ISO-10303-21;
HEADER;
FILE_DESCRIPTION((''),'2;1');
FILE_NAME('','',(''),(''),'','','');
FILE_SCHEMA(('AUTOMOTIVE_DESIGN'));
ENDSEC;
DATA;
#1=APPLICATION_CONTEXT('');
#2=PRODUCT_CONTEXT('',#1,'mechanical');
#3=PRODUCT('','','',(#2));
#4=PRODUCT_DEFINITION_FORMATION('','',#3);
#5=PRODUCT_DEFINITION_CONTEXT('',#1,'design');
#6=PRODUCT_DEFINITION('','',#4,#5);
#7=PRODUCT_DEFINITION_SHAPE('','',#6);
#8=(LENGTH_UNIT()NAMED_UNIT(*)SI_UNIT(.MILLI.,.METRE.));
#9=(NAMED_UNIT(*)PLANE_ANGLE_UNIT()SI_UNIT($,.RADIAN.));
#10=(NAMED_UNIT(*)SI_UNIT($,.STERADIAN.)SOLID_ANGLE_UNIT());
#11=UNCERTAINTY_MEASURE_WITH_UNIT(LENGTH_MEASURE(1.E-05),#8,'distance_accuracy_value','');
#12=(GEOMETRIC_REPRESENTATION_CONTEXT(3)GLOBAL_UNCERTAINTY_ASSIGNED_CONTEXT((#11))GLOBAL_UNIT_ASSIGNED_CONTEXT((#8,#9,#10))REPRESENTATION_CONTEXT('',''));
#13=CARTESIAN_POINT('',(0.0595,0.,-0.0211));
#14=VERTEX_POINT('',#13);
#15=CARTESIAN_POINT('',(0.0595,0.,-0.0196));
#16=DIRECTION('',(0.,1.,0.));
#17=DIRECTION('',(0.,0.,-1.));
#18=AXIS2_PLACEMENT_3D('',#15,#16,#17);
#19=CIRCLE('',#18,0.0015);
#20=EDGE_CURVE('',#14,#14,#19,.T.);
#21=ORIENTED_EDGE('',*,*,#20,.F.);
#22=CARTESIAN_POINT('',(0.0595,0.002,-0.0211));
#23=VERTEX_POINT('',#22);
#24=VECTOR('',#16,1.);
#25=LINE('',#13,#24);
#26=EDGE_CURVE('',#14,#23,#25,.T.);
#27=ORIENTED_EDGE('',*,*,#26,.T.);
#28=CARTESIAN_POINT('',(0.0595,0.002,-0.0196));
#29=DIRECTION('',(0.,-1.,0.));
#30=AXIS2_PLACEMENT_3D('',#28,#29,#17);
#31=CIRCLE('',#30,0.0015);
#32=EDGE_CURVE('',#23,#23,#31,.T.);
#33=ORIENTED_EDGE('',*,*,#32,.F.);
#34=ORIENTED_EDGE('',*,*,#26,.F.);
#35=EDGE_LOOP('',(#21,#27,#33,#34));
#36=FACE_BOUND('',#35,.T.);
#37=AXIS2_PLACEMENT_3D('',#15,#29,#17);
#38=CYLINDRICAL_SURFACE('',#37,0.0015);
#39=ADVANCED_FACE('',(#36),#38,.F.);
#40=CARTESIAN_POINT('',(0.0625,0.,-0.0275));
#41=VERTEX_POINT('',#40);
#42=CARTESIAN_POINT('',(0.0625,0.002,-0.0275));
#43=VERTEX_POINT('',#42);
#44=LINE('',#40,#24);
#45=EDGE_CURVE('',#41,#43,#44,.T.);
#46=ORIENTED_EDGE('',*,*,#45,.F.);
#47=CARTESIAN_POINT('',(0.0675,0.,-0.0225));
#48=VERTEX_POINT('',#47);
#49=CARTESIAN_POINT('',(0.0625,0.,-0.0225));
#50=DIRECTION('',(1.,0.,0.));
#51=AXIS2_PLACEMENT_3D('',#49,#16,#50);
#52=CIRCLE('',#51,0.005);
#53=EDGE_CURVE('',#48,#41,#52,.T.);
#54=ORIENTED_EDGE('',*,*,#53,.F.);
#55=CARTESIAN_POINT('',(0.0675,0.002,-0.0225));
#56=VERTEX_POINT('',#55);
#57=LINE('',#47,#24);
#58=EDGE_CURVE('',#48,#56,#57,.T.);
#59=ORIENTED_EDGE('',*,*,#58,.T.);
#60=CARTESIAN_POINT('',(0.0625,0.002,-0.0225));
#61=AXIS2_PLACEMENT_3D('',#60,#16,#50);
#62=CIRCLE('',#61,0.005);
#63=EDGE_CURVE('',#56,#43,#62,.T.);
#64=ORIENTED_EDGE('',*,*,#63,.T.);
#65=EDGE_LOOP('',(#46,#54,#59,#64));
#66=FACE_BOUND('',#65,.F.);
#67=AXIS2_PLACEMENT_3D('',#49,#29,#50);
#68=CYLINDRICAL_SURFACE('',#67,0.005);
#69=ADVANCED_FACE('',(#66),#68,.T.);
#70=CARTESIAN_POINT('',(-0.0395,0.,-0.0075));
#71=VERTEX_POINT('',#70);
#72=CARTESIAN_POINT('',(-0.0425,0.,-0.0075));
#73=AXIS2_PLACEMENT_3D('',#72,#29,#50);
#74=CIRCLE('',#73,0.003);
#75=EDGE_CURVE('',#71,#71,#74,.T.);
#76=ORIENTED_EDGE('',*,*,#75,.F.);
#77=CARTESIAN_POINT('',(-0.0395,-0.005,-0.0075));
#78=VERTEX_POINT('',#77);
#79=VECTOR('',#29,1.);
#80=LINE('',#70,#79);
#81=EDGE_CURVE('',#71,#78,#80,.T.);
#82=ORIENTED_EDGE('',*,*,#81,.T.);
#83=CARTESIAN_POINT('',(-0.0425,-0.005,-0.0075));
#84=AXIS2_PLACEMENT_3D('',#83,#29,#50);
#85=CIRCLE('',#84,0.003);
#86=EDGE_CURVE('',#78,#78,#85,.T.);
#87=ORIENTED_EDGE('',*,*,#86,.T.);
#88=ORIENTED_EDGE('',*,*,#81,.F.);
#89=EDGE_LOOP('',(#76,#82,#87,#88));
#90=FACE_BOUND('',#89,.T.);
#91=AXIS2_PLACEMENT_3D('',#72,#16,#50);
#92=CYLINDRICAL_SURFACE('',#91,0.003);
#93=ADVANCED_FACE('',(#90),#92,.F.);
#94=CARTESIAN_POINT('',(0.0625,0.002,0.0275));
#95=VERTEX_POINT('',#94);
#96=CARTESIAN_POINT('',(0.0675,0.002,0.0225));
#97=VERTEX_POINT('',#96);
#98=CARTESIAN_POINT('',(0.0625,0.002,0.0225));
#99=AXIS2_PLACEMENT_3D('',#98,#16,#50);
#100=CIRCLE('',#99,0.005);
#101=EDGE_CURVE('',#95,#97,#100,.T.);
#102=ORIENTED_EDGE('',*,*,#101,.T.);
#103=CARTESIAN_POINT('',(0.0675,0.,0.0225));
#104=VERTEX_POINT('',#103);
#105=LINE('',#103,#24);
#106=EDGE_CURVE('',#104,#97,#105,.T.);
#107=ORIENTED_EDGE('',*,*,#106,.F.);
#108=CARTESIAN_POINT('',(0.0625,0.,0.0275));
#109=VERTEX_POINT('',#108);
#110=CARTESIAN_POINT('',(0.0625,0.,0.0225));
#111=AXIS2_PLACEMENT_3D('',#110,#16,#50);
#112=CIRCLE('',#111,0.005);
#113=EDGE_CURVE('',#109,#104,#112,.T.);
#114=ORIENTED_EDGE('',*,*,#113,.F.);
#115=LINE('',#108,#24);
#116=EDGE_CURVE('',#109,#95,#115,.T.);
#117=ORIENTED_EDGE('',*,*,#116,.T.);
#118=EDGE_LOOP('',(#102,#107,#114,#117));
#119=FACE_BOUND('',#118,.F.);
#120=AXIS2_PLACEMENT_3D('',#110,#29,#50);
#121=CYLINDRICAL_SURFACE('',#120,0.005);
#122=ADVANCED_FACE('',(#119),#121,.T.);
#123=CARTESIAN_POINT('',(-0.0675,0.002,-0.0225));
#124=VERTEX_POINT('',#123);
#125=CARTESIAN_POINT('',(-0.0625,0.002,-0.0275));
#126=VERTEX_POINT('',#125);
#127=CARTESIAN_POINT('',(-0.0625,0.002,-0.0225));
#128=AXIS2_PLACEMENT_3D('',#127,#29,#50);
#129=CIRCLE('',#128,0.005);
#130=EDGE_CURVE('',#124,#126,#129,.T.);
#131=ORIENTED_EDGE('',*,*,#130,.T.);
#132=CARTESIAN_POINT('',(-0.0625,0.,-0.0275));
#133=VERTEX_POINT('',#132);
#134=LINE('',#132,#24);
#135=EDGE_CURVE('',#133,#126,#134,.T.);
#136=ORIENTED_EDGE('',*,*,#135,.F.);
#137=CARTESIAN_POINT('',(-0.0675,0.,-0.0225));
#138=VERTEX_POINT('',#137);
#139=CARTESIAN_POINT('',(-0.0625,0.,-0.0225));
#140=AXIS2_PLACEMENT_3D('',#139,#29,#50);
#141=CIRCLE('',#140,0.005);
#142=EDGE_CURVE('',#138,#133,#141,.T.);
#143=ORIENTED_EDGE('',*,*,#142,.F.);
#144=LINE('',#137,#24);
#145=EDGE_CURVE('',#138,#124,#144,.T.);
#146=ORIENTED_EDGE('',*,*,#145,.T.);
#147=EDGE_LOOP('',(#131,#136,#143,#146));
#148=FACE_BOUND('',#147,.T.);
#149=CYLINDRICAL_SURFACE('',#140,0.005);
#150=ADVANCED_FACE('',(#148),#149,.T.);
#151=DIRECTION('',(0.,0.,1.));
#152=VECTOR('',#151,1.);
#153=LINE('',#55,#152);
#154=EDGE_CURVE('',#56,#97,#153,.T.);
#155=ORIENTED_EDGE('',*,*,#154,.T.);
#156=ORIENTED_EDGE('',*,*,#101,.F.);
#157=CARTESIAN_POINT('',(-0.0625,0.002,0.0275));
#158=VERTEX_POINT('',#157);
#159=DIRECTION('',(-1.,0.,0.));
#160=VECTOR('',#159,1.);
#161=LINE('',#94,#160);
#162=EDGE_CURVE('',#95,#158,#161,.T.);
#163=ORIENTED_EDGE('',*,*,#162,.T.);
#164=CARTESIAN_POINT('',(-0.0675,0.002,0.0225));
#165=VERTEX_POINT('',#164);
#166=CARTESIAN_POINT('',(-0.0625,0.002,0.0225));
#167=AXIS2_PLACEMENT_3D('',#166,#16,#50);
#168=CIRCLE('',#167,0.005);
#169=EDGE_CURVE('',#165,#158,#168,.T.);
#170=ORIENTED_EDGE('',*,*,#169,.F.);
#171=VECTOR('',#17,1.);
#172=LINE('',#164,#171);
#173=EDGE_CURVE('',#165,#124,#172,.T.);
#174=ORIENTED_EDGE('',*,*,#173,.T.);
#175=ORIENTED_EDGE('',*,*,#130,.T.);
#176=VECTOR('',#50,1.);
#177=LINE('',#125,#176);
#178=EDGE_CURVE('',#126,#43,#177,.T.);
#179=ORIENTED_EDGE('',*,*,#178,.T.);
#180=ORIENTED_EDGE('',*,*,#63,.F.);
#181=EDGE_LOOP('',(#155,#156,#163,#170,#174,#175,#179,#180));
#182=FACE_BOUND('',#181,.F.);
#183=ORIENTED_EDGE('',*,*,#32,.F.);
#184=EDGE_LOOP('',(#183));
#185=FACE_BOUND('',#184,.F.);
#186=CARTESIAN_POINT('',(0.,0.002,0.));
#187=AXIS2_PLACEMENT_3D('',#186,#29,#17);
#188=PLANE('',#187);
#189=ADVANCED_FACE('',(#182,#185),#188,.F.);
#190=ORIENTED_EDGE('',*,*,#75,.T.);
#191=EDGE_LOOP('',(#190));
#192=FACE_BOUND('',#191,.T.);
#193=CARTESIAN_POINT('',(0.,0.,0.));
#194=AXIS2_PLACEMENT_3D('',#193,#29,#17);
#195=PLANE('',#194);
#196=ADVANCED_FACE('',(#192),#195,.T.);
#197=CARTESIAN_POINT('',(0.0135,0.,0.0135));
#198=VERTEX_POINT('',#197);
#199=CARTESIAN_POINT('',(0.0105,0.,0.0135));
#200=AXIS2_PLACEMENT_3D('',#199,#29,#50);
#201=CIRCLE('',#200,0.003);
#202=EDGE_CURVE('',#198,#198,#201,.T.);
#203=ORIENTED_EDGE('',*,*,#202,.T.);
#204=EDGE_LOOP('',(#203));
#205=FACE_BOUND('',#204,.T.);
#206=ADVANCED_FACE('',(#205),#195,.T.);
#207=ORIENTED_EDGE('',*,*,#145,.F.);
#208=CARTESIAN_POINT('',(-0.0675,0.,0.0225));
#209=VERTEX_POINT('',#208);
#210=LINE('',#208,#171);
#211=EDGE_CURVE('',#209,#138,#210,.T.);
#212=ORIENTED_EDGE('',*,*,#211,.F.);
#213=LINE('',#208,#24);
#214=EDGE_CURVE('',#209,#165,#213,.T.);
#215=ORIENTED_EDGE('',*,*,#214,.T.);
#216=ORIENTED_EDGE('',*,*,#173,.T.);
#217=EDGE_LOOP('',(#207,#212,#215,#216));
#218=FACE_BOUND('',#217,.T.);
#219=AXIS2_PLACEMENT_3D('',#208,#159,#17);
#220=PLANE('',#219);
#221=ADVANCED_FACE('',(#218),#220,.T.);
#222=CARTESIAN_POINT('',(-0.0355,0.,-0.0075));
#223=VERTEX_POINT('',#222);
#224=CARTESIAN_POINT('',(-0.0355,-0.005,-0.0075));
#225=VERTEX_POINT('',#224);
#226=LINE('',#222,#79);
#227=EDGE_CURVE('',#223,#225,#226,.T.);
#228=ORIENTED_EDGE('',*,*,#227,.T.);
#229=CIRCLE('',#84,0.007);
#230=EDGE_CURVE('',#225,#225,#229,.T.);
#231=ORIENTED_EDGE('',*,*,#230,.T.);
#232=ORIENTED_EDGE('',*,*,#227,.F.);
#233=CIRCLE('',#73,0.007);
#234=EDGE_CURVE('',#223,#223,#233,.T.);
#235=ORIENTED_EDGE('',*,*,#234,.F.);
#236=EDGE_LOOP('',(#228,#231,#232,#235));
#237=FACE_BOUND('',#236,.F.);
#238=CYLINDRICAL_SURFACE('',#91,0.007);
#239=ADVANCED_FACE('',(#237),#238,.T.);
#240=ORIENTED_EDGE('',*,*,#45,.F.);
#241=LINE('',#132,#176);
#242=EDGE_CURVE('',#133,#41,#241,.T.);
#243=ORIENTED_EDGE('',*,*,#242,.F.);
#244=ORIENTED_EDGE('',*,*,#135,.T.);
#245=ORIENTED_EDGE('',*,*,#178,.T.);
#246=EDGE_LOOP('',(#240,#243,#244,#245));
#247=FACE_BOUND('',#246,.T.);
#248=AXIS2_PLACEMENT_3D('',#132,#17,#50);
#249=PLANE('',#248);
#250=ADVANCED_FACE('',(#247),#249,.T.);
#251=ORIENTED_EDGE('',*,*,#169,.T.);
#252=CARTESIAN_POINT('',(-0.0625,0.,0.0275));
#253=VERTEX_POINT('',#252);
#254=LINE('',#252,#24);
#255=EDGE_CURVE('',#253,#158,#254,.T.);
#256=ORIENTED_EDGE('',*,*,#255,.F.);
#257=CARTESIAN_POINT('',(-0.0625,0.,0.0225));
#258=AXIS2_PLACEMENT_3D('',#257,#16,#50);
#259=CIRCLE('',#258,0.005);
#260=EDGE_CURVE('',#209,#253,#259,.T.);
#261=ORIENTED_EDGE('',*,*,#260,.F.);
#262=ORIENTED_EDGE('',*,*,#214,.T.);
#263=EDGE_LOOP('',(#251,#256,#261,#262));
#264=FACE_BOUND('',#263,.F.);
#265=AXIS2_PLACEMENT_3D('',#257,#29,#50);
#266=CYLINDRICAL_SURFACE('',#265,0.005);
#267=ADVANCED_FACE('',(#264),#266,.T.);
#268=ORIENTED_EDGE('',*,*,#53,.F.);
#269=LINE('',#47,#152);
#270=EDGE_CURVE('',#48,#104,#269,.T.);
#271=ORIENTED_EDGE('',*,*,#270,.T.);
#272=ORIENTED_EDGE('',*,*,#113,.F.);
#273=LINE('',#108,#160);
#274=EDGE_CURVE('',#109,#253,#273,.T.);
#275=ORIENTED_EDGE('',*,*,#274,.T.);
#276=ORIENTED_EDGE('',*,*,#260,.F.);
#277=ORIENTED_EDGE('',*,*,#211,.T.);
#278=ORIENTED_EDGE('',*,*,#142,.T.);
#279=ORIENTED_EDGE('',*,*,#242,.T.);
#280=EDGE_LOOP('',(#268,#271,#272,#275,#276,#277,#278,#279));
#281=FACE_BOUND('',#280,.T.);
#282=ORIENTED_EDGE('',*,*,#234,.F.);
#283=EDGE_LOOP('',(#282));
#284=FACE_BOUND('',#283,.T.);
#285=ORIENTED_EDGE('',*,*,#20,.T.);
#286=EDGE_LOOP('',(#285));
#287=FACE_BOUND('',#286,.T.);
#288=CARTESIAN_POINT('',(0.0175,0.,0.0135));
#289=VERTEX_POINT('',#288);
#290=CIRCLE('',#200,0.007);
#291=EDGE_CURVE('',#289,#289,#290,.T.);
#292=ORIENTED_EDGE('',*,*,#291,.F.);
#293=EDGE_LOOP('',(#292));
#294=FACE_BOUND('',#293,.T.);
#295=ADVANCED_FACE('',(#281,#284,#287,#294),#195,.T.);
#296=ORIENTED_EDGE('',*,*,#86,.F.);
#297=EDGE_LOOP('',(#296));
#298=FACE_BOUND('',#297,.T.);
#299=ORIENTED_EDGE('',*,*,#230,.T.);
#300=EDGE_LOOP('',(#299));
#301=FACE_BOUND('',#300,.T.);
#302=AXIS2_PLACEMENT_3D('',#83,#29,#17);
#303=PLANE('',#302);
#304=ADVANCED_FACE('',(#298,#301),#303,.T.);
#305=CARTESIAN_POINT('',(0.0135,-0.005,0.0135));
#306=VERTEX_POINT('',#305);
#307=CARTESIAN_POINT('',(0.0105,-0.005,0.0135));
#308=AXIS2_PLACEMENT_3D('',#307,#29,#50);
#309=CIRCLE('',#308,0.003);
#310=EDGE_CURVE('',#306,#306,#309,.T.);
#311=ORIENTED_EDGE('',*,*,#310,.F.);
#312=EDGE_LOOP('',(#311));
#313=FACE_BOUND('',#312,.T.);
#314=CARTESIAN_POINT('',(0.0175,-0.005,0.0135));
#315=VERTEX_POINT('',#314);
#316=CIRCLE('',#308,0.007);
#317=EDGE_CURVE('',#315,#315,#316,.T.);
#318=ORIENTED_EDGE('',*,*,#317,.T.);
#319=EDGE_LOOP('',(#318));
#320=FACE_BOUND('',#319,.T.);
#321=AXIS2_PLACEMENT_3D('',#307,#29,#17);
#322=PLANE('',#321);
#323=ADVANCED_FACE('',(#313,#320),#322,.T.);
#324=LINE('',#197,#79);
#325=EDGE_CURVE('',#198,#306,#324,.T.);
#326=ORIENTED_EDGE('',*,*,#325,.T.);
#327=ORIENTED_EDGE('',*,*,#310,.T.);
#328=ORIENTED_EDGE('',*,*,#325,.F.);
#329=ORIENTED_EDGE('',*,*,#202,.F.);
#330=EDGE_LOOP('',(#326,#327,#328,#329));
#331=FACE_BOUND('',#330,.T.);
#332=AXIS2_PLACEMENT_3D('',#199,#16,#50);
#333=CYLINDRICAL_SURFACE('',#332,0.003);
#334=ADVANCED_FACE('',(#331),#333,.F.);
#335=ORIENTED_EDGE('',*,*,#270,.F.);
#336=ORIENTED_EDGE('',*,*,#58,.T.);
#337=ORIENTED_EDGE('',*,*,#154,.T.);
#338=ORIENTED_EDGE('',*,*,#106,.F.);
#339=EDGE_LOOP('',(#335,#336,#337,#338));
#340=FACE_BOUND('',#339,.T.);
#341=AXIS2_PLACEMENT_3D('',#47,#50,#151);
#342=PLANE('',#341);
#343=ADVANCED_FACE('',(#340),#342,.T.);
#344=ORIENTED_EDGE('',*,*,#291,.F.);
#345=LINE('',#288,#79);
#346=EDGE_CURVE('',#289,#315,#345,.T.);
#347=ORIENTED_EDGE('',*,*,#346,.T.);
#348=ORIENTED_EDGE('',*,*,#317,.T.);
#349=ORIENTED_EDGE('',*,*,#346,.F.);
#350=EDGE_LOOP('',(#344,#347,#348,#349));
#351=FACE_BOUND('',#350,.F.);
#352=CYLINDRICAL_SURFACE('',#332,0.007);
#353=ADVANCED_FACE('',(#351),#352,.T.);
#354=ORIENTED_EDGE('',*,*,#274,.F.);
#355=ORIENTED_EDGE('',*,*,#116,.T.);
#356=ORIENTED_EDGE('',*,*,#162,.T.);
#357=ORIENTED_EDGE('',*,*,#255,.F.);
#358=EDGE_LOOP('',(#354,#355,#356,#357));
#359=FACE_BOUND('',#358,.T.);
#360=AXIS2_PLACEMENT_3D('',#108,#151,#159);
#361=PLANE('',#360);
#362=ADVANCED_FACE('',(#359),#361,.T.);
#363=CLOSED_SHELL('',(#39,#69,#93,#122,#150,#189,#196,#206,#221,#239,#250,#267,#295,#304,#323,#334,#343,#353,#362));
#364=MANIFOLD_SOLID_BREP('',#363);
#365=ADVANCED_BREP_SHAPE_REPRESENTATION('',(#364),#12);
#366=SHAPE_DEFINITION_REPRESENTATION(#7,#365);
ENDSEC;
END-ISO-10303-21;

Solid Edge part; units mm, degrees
sketch "Sketch1" plane through (0, 0, 0) normal (0, -1, 0) x (1, 0, 0)
  line L0 (-0.0625, -0.0275) -> (0.0625, -0.0275)
  arc A0 (0.0675, -0.0225) -> (0.0625, -0.0275) centre (0.0625, -0.0225) cw
  line L1 (0.0675, -0.0225) -> (0.0675, 0.0225)
  arc A1 (0.0625, 0.0275) -> (0.0675, 0.0225) centre (0.0625, 0.0225) cw
  line L2 (0.0625, 0.0275) -> (-0.0625, 0.0275)
  arc A2 (-0.0675, 0.0225) -> (-0.0625, 0.0275) centre (-0.0625, 0.0225) cw
  line L3 (-0.0675, 0.0225) -> (-0.0675, -0.0225)
  arc A3 (-0.0675, -0.0225) -> (-0.0625, -0.0275) centre (-0.0625, -0.0225) ccw
  dimension "D1" = 0.135
  dimension "D2" = 0.055
extrude "Protrusion1" add sketch "Sketch1" against normal blind 0.002
sketch "Sketch2" plane through (0, 0, 0) normal (0, -1, 0) x (1, 0, 0)
  circle A0 centre (0.0105, 0.0135) radius 0.007
  circle A1 centre (-0.0425, -0.0075) radius 0.003
  circle A2 centre (0.0105, 0.0135) radius 0.003
  circle A3 centre (-0.0425, -0.0075) radius 0.007
  dimension "D1" = 0.078
  dimension "D2" = 0.025
  dimension "D3" = 0.014
  dimension "D4" = 0.006
  dimension "D5" = 0.041
  dimension "D6" = 0.02
extrude "Ausprägung_2" add sketch "Sketch2" along normal blind 0.005
hole "Bohrung_1" at (0.0595, 0, -0.0196) direction (0, 1, 0) diameter 0.003 end up to next
